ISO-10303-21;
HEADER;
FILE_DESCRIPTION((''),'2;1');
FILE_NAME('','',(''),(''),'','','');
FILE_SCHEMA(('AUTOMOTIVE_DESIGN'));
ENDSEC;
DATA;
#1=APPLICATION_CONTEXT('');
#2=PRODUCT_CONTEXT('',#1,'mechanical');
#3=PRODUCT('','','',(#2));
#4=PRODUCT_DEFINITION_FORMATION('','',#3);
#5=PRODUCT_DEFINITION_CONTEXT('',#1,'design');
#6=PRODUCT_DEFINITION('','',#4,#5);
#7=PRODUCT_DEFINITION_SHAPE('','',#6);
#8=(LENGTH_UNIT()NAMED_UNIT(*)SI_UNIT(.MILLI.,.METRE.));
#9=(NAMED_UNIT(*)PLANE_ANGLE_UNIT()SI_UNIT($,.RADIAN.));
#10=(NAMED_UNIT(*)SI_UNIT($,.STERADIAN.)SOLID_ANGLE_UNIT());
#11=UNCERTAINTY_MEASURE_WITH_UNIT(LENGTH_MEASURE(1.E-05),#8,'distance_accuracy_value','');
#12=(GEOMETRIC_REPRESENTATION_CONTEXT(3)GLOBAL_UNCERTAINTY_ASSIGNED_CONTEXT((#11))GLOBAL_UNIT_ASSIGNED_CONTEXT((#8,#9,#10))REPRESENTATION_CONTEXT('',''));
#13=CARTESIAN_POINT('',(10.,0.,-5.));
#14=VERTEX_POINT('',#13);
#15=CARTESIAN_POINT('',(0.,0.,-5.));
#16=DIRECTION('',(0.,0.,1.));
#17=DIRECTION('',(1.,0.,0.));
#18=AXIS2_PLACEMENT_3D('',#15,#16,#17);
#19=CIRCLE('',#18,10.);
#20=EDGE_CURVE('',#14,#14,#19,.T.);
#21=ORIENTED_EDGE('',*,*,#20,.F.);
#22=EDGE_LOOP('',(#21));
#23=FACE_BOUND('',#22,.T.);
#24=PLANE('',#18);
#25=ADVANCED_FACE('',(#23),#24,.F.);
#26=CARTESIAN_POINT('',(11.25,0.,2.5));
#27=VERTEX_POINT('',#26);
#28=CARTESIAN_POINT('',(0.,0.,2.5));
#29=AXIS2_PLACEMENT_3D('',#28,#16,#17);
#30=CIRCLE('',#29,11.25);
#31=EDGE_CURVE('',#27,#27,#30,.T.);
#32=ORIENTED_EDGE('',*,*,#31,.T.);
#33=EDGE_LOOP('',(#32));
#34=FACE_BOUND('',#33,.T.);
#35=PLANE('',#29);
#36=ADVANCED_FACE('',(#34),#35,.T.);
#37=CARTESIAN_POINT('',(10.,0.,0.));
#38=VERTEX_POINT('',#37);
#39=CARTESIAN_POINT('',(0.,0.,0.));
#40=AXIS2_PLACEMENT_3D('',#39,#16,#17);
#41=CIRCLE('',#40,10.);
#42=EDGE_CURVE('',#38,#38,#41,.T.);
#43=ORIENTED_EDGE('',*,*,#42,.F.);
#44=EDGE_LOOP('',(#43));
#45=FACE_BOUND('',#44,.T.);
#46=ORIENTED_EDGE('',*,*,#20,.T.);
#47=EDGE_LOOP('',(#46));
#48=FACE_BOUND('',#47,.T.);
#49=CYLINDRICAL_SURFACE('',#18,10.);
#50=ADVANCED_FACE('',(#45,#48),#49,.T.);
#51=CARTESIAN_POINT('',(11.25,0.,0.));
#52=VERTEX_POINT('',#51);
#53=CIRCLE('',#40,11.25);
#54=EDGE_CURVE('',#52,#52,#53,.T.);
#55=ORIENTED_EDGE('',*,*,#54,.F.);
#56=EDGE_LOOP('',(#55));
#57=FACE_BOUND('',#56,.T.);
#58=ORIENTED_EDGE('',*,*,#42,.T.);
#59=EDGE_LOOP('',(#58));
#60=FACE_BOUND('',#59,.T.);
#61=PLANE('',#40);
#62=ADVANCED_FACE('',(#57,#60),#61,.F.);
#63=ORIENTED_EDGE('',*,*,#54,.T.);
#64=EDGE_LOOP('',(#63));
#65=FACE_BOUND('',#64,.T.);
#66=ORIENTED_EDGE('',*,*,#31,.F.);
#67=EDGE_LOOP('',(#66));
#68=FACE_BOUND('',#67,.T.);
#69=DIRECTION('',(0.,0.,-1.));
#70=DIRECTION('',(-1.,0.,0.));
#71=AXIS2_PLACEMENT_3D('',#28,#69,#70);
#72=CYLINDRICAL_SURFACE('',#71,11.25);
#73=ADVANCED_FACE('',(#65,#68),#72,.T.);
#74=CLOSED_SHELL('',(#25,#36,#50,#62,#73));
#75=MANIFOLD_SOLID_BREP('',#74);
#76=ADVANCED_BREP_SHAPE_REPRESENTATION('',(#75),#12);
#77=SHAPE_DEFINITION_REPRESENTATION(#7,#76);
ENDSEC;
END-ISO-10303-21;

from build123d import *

# Parameters (mm, degrees)
SKETCH1_R           = 11.25
BOSS_EXTRUDE1_DEPTH = 2.5
SKETCH2_R           = 10
BOSS_EXTRUDE2_DEPTH = 7.5


with BuildPart() as part:
    # Sketch1 → Boss-Extrude1 (new body)
    with BuildSketch(Plane.XY):
        Circle(SKETCH1_R)
    extrude(amount=BOSS_EXTRUDE1_DEPTH)

    # Sketch2 → Boss-Extrude2 (add)
    with BuildSketch(Plane.XY.offset(2.5)):
        Circle(SKETCH2_R)
    extrude(amount=-BOSS_EXTRUDE2_DEPTH)


solid = part.part
